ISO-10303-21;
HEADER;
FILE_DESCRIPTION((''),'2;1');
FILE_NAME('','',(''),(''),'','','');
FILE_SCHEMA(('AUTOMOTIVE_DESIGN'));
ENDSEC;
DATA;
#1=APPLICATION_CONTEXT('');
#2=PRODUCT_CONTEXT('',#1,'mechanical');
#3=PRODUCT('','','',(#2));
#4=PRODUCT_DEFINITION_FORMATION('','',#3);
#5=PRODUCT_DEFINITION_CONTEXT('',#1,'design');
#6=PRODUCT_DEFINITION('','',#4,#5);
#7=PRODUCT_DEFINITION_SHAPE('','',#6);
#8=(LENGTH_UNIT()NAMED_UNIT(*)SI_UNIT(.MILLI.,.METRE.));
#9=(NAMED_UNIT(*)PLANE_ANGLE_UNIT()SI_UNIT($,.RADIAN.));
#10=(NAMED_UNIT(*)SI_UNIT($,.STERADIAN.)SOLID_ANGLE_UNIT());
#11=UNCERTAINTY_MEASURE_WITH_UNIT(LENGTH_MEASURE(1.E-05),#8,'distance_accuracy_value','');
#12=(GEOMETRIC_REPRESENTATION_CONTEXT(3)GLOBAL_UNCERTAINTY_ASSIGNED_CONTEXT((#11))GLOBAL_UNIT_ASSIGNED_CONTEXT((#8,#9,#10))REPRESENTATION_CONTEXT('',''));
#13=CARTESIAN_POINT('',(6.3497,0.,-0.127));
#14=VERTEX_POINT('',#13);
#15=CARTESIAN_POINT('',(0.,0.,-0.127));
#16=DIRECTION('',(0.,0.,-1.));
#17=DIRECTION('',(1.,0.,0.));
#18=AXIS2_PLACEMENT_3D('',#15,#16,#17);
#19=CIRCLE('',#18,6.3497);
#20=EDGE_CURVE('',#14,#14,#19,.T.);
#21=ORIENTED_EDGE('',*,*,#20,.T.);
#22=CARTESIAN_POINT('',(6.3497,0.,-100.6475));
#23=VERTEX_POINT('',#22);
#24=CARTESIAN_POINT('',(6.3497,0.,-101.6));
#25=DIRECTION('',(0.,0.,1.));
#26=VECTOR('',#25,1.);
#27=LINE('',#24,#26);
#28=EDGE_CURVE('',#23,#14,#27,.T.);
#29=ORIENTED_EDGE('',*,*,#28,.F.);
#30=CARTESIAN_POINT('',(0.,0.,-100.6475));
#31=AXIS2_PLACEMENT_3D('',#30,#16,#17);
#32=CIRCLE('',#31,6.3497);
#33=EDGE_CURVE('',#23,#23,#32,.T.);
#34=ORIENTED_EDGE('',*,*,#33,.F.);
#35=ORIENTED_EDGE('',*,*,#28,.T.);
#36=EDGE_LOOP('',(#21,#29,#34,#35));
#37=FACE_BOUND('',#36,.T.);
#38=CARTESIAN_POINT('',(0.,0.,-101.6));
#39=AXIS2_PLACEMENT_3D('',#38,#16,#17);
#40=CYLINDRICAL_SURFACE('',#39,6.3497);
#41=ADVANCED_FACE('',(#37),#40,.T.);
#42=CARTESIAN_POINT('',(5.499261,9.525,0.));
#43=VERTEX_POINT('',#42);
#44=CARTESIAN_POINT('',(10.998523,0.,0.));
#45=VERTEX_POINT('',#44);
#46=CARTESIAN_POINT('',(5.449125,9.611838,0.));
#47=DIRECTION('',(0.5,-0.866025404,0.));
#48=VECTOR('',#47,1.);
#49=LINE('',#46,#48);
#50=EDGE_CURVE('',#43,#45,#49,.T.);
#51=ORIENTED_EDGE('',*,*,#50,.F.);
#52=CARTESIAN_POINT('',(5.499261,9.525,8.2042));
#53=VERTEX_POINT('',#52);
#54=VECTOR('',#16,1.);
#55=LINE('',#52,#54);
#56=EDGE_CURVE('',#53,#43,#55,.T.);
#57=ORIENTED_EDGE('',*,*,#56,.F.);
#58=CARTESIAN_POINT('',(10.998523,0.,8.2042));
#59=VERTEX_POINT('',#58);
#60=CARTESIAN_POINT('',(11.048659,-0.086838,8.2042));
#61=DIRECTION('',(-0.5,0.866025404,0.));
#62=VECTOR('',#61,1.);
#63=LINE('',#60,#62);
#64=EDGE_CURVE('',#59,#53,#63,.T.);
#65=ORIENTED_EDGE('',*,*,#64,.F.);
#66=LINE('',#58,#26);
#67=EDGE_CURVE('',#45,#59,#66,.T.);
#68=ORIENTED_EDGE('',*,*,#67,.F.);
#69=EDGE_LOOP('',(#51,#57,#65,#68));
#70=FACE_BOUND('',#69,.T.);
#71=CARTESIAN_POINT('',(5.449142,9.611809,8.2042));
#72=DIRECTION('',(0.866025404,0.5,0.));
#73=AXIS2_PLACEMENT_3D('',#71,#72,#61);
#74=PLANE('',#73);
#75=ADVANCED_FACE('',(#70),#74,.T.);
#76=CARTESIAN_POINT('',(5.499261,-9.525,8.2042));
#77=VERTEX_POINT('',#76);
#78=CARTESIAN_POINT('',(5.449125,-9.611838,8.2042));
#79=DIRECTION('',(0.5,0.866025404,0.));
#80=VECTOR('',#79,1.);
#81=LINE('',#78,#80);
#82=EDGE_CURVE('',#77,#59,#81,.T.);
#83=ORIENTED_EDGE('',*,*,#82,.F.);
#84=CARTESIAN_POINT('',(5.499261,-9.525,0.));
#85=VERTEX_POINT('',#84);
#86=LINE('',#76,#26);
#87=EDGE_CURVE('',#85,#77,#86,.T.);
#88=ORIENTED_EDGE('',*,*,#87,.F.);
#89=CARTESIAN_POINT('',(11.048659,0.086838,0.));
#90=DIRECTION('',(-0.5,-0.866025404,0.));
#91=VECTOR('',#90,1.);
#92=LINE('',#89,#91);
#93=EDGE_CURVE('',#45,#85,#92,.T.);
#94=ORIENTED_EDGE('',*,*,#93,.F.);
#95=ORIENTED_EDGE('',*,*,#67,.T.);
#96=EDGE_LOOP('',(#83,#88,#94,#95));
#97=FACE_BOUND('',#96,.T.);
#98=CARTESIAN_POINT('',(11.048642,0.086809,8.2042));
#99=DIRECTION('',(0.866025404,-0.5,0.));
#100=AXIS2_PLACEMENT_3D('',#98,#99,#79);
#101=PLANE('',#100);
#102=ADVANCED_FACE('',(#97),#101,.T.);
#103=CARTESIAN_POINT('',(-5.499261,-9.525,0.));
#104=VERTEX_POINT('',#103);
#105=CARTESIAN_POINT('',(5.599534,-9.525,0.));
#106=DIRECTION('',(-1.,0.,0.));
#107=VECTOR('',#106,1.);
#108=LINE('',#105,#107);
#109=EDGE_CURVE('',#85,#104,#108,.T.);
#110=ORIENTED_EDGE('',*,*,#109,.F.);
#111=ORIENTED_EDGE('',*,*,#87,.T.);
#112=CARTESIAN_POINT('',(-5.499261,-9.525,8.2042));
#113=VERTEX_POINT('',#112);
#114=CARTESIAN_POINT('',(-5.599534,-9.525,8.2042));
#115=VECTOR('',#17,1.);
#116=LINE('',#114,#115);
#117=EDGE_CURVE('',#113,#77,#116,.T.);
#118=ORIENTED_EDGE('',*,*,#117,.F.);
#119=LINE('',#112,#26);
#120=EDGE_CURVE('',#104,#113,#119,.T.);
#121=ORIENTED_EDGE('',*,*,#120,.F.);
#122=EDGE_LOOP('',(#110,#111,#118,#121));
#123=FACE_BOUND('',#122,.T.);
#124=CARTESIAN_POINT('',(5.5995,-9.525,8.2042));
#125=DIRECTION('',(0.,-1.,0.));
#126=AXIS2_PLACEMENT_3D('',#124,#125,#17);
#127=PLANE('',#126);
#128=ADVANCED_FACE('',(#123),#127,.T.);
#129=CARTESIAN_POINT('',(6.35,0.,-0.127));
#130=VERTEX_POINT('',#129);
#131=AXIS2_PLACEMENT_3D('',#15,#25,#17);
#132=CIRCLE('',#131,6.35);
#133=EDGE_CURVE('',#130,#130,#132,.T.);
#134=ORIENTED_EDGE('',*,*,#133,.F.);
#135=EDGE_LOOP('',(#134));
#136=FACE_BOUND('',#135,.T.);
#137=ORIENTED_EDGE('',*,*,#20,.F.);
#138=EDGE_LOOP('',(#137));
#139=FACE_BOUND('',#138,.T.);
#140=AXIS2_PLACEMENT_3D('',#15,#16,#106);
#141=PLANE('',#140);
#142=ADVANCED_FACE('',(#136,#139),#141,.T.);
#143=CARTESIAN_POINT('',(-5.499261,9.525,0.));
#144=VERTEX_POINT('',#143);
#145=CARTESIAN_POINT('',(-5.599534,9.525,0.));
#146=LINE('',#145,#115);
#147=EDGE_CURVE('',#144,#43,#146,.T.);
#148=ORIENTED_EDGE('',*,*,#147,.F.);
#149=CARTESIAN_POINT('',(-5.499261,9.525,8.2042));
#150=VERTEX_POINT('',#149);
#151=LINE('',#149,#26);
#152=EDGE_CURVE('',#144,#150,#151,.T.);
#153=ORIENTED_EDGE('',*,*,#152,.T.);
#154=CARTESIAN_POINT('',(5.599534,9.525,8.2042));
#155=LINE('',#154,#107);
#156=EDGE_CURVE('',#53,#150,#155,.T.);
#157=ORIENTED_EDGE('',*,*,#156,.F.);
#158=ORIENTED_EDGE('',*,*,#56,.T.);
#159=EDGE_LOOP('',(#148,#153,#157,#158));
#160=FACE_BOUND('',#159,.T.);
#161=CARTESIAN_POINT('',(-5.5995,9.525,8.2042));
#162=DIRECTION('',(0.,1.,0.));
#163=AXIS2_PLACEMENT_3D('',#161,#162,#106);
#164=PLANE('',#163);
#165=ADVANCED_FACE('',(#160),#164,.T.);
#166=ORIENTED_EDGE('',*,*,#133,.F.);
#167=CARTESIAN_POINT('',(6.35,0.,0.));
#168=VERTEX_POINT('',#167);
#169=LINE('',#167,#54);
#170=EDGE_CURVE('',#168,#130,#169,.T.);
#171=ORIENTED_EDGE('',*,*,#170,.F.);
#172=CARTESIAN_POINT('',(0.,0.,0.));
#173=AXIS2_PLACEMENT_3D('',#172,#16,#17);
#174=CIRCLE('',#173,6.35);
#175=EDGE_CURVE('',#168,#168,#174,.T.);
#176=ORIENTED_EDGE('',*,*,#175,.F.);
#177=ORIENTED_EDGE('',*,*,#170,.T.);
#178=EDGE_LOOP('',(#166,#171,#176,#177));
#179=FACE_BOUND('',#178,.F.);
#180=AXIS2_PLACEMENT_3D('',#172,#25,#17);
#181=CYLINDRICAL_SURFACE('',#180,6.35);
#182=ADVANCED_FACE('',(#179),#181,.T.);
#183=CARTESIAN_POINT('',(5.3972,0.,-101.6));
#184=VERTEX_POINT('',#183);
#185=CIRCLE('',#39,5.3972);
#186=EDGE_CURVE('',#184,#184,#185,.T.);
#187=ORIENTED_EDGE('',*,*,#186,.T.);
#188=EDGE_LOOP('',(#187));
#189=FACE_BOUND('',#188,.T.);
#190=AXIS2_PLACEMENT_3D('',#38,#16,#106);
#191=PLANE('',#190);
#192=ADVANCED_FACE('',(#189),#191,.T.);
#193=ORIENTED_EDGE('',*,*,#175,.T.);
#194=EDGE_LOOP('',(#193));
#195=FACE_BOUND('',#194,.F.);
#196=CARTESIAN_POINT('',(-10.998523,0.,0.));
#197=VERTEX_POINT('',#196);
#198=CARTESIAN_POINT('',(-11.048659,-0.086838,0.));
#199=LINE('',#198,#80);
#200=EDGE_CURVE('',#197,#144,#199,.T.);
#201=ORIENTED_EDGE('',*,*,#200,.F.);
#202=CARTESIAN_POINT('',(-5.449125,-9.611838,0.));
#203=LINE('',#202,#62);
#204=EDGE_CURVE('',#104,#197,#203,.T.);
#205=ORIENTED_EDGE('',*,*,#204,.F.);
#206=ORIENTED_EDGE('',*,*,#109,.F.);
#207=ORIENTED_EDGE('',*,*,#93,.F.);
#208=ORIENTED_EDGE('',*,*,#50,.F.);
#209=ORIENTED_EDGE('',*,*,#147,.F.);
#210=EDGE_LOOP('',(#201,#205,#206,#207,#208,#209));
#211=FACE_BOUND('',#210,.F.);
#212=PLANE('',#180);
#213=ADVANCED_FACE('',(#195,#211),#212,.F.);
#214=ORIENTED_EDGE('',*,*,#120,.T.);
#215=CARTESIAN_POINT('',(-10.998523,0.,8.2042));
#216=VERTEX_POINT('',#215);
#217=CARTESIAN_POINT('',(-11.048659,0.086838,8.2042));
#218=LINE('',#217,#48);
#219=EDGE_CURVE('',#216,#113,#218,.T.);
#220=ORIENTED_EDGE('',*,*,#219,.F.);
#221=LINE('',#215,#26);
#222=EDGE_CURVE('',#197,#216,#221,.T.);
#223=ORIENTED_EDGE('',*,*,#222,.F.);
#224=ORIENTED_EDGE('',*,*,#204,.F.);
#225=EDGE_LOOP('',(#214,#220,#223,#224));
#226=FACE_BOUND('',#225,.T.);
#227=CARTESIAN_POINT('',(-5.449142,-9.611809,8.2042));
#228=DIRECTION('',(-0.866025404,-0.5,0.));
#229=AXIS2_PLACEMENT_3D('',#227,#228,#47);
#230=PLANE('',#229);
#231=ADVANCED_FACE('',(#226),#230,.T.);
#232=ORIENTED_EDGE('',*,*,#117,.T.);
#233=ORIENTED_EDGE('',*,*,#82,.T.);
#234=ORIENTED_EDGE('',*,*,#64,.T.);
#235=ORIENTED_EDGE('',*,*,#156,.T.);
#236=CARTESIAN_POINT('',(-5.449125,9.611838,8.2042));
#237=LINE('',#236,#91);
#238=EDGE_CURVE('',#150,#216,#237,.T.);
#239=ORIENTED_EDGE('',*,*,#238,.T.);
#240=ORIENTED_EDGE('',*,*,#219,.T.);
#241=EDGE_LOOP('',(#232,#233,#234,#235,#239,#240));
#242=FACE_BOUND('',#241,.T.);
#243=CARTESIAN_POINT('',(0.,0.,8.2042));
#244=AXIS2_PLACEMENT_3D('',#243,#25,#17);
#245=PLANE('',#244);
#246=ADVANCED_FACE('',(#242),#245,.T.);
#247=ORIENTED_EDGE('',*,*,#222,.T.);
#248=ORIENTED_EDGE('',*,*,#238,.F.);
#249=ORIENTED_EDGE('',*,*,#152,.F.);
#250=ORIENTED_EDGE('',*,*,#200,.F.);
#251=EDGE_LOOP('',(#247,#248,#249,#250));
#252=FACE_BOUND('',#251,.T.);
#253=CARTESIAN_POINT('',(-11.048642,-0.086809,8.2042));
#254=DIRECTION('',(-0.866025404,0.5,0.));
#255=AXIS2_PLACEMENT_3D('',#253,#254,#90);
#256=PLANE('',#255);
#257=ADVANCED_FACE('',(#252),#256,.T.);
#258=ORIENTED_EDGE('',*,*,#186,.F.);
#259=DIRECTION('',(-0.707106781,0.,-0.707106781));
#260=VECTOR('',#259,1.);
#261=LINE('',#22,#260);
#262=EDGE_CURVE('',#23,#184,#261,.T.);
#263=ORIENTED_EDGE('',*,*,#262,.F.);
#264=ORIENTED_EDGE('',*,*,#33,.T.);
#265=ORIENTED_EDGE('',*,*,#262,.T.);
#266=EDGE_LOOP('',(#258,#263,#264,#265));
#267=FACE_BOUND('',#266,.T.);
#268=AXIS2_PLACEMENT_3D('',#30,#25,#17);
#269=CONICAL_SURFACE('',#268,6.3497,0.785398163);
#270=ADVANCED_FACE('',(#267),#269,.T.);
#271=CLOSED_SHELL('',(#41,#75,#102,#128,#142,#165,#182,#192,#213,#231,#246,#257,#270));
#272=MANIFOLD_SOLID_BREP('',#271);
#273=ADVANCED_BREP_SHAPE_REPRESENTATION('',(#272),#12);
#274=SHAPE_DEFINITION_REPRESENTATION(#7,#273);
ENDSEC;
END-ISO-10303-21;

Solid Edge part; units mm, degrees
sketch "Sketch1" plane through (0, 0, 0) normal (0, 0, 1) x (1, 0, 0)
  circle A0 centre (0, 0) radius 11.049
  dimension "D1" = 22.098
extrude "Protrusion1" add sketch "Sketch1" along normal blind 8.2042
sketch "Sketch2" plane through (0, 0, 0) normal (0, 0, -1) x (1, 0, 0)
  circle A0 centre (0, 0) radius 6.35
extrude "Protrusion2" add sketch "Sketch2" along normal blind 101.6
sketch "Sketch3" plane through (0, 0, -101.6) normal (0, 0, -1) x (1, 0, 0)
  circle A0 centre (0, 0) radius 6.3497
extrude "Cutout1" cut sketch "Sketch3" against normal blind 101.473 flip side to cut
chamfer "Chamfer_1" distance 0.9525 angle 45 1 edges at (-6.3497, 0, -101.6)
sketch "Sketch4" plane through (0, 0, 8.2042) normal (0, 0, 1) x (1, 0, 0)
  line L0 (-5.5995, 9.525) -> (5.5995, 9.525)
  dimension "D1" = 19.05
extrude "Cutout2" cut sketch "Sketch4" against normal up to next material side at (0, 9.575, 8.2042)
pattern_circular "Pattern1" count 6 over 360 about axis through (0, 0, 8.2042) along (0, 0, 1) of "Cutout2"
properties part number "159699"
